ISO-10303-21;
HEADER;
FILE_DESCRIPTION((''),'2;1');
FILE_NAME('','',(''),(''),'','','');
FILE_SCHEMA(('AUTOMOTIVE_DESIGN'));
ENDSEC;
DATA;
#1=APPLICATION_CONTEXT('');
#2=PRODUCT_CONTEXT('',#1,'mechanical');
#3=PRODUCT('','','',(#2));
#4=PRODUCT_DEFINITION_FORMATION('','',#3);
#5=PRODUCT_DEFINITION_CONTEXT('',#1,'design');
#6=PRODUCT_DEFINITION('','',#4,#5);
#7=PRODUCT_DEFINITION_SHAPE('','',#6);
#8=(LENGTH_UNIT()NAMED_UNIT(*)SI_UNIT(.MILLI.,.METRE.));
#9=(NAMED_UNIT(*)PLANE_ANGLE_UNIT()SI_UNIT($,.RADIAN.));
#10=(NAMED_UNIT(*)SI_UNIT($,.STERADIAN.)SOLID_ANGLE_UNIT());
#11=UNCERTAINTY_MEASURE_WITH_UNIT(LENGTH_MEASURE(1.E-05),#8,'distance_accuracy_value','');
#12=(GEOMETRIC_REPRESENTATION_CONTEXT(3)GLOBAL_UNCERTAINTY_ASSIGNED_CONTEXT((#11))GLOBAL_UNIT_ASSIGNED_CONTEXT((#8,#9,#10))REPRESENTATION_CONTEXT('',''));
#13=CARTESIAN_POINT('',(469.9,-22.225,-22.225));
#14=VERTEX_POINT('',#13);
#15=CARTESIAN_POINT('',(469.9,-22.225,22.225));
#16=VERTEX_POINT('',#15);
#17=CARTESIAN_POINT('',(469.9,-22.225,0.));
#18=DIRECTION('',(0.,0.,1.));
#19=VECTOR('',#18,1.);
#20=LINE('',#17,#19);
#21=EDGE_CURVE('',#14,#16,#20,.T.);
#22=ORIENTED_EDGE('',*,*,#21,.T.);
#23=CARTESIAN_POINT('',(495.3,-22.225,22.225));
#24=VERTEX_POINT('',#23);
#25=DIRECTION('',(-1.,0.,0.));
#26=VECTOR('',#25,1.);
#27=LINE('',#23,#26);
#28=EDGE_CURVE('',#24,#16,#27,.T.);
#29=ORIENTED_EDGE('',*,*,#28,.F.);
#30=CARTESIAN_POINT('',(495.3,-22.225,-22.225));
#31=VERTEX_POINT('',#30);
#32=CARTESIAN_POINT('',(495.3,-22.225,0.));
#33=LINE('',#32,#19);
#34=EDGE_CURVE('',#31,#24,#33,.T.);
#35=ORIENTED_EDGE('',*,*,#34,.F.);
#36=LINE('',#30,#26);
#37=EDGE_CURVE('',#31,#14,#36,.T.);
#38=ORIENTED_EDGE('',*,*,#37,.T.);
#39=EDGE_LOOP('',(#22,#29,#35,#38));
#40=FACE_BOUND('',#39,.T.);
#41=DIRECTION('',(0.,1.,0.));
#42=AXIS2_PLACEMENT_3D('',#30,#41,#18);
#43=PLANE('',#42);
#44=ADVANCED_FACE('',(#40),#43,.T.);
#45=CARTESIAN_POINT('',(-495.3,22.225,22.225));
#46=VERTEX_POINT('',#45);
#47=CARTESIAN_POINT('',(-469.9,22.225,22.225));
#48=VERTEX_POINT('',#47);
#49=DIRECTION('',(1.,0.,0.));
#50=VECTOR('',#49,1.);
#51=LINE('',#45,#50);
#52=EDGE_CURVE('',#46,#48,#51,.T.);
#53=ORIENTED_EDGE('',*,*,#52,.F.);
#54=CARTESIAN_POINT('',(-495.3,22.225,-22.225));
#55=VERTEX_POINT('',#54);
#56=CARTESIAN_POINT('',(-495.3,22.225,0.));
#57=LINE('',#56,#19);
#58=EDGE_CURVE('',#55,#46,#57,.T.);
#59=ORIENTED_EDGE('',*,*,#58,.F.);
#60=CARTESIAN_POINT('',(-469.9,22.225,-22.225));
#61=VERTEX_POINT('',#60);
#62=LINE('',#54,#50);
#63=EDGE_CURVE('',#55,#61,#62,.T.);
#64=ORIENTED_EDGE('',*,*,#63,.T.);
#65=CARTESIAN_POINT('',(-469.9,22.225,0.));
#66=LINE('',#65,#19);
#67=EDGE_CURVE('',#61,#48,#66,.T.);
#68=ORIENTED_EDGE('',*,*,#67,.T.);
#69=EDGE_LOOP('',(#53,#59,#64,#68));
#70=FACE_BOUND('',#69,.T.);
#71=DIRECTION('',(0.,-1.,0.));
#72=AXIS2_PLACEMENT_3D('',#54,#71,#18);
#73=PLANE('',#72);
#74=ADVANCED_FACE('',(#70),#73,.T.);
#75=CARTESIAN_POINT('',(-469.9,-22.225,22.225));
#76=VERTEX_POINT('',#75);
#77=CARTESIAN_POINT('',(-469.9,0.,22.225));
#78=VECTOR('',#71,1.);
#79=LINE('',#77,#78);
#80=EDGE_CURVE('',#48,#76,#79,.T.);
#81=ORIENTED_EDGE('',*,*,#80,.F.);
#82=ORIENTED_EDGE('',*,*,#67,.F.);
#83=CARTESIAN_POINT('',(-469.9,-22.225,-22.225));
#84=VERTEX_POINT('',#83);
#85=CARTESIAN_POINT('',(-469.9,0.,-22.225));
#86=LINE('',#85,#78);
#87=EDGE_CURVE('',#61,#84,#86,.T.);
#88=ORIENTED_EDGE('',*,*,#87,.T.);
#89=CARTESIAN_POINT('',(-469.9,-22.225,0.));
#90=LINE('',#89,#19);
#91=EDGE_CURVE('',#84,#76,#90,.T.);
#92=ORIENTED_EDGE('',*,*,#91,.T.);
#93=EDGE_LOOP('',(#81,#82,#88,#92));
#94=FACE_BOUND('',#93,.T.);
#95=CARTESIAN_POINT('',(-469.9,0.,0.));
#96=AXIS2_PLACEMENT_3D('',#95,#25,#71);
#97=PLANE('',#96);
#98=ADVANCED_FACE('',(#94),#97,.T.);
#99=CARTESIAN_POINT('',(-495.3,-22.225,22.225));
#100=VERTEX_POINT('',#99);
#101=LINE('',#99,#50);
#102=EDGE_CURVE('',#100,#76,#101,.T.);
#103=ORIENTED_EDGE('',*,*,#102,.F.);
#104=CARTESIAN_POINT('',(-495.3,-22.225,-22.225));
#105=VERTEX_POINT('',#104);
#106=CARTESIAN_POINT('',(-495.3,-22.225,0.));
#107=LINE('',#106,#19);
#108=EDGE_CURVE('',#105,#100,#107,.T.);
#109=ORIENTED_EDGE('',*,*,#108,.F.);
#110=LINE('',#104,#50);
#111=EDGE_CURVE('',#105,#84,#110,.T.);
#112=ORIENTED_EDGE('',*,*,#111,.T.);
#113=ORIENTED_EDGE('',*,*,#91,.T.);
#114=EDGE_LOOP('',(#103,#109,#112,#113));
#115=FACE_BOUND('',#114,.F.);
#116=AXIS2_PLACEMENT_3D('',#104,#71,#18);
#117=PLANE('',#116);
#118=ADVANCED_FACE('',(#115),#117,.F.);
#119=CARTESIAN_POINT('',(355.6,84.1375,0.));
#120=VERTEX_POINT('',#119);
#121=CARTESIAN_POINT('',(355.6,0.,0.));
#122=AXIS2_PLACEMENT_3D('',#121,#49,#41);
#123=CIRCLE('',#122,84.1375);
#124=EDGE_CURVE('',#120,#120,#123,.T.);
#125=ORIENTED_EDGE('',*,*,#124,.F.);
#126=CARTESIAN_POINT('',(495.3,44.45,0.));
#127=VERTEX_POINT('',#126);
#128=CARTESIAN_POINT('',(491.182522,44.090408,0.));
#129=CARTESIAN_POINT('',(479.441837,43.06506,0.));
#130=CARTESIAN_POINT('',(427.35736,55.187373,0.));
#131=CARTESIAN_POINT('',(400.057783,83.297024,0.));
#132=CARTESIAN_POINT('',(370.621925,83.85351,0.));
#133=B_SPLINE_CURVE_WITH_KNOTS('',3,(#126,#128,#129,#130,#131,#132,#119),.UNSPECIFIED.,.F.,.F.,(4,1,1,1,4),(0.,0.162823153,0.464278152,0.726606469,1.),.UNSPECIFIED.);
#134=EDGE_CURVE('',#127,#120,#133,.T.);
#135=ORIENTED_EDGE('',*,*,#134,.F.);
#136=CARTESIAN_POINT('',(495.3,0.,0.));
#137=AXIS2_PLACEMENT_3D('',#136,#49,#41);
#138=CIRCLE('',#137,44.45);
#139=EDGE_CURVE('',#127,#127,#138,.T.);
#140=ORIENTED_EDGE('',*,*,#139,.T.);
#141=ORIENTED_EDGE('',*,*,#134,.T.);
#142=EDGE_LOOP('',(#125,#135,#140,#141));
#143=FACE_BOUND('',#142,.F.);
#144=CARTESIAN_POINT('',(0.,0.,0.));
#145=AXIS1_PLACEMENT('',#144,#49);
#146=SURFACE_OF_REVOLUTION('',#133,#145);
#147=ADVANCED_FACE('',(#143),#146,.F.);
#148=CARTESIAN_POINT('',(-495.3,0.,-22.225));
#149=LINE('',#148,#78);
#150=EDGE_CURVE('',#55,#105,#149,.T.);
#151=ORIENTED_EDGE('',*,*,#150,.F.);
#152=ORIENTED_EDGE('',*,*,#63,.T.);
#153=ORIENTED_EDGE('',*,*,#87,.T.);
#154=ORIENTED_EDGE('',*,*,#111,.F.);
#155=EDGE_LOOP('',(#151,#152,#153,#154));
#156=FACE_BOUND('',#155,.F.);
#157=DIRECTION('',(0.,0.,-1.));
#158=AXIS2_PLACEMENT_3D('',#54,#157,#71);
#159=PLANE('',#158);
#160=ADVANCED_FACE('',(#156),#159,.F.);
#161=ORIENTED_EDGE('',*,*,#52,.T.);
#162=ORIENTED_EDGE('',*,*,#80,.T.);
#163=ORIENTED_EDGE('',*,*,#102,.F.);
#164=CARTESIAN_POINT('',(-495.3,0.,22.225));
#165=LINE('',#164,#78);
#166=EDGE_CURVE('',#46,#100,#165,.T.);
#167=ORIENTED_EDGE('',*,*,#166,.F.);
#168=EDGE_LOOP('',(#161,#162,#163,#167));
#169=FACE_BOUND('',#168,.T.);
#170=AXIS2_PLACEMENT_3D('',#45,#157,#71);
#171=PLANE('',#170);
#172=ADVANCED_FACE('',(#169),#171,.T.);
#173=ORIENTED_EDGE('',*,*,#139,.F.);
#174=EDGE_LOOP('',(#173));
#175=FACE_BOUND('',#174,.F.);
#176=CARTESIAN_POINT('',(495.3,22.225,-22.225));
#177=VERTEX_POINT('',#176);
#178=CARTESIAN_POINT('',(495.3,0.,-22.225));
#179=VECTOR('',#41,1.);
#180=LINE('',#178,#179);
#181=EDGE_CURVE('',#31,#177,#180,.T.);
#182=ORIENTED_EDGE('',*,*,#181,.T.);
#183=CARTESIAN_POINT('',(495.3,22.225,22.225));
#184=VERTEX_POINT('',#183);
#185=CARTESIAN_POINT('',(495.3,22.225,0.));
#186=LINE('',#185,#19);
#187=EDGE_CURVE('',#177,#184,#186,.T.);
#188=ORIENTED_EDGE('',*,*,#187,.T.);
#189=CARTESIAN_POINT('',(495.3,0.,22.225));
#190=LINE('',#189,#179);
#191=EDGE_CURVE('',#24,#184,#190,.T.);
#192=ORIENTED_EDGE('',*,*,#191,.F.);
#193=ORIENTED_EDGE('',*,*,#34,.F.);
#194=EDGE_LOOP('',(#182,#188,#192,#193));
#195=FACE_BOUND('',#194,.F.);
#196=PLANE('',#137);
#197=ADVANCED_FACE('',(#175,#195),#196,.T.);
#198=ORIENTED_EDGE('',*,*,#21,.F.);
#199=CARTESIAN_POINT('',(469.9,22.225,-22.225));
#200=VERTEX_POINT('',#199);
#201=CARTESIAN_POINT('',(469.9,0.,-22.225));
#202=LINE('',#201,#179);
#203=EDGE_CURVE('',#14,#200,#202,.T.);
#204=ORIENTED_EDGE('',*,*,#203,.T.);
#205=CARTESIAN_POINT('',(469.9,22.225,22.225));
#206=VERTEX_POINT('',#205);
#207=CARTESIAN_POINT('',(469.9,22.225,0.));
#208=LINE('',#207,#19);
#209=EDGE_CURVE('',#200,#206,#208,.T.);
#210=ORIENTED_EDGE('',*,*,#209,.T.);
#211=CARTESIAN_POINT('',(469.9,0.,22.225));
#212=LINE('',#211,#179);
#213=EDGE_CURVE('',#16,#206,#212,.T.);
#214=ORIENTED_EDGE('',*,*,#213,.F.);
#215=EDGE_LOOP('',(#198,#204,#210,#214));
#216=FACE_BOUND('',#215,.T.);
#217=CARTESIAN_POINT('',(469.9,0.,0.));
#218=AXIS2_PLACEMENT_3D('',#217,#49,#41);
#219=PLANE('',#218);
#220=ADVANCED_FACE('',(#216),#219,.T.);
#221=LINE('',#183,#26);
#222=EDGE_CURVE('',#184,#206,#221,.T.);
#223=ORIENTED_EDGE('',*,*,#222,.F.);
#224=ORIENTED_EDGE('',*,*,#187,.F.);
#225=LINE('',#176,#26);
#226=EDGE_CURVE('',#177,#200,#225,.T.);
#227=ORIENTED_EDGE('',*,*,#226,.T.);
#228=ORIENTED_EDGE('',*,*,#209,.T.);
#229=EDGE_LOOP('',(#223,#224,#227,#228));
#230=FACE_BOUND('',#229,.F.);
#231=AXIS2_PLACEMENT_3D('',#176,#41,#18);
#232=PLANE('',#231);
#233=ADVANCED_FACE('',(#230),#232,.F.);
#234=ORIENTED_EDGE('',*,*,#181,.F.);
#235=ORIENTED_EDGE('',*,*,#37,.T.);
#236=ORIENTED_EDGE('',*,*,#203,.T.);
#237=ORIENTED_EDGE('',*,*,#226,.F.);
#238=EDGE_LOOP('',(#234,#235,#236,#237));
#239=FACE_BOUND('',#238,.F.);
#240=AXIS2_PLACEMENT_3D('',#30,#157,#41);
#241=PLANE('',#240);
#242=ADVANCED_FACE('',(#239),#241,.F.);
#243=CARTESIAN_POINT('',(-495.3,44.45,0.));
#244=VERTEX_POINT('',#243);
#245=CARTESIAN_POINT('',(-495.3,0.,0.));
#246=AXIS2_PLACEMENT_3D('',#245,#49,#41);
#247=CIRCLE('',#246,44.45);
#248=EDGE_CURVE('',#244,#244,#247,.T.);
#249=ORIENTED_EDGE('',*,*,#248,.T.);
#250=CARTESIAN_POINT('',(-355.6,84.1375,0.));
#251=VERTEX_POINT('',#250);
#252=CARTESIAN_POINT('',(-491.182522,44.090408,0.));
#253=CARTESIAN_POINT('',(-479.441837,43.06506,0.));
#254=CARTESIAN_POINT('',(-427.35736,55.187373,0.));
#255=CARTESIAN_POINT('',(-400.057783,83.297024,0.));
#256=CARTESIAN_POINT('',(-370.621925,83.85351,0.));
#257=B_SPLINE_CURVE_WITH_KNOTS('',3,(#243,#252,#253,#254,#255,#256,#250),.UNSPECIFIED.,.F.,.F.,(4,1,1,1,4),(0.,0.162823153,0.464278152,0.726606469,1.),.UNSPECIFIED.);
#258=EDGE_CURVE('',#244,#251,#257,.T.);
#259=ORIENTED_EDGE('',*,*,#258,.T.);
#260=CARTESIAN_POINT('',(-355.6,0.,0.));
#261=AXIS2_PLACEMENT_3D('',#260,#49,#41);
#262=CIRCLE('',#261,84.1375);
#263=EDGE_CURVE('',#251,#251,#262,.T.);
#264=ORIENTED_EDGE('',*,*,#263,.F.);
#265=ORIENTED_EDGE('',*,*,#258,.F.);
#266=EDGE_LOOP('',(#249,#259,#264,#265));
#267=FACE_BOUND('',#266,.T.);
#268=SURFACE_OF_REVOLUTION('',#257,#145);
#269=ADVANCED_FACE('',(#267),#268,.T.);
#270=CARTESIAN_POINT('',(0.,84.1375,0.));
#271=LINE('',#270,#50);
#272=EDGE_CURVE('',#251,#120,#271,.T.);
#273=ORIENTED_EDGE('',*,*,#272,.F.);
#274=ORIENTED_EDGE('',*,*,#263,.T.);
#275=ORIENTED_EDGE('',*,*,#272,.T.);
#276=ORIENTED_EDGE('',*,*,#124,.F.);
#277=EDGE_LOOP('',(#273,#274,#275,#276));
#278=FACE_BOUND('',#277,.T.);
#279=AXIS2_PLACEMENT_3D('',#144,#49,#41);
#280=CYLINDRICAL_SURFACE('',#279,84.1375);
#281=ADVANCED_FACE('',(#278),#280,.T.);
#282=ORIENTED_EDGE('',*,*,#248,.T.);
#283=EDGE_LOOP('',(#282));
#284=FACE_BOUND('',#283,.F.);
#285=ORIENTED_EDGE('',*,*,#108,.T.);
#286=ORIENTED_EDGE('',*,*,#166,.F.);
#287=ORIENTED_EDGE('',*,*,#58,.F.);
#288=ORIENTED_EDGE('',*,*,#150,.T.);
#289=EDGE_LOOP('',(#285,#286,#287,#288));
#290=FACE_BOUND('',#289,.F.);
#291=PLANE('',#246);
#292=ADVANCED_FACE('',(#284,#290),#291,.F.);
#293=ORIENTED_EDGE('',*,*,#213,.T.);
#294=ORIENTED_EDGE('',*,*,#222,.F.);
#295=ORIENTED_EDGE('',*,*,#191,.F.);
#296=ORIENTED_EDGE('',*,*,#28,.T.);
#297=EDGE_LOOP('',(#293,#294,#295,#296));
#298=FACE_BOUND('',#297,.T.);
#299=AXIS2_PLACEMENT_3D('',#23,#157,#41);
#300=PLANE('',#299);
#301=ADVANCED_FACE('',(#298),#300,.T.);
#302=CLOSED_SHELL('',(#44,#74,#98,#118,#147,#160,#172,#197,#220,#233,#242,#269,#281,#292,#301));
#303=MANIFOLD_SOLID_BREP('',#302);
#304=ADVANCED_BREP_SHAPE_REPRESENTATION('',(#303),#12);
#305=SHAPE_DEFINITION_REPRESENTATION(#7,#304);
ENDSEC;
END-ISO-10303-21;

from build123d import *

# Parameters (mm, degrees)
F0_W     = 711.2
F0_H     = 84.1375
F2_W     = 44.45
F2_H     = 44.45
F3_DEPTH = 25.4
F4_W     = 44.45
F4_H     = 44.45
F5_DEPTH = 25.4


with BuildPart() as f1:
    # F0 (on Top) → F1 (revolve)
    with BuildSketch(Plane.XY):
        with Locations((0, 42.06875)):
            Rectangle(F0_W, F0_H)
        with BuildLine():
            add(Edge.make_bspline(
                [(495.3, 44.45), (491.1825215885, 44.0904084612), (479.4418370711, 43.0650598398), (427.3573599541, 55.187373247), (400.0577825465, 83.2970238087), (370.6219245107, 83.8535099048), (355.6, 84.1375)],
                knots=[0, 0, 0, 0, 0.1628231526, 0.4642781518, 0.7266064691, 1, 1, 1, 1], degree=3))
            Line((355.6, 84.1375), (355.6, 0))
            Line((355.6, 0), (495.3, 0))
            Line((495.3, 0), (495.3, 44.45))
        make_face()
        with BuildLine():
            Line((-355.6, 0), (-355.6, 84.1375))
            add(Edge.make_bspline(
                [(-495.3, 44.45), (-491.1825215885, 44.0904084612), (-479.4418370711, 43.0650598398), (-427.3573599541, 55.187373247), (-400.0577825465, 83.2970238087), (-370.6219245107, 83.8535099048), (-355.6, 84.1375)],
                knots=[0, 0, 0, 0, 0.1628231526, 0.4642781518, 0.7266064691, 1, 1, 1, 1], degree=3))
            Line((-495.3, 44.45), (-495.3, 0))
            Line((-495.3, 0), (-355.6, 0))
        make_face()
    revolve(axis=Axis((0, 0, 0), (1, 0, 0)))

    # F2 (on face) → F3 (cut)
    with BuildSketch(Plane(origin=(-495.3, 0, 0), x_dir=(0, -1, 0), z_dir=(-1, 0, 0))):
        Rectangle(F2_W, F2_H)
    extrude(amount=-F3_DEPTH, mode=Mode.SUBTRACT)

    # F4 (on face) → F5 (cut)
    with BuildSketch(Plane.YZ.offset(495.3)):
        Rectangle(F4_W, F4_H)
    extrude(amount=-F5_DEPTH, mode=Mode.SUBTRACT)


solid = f1.part
